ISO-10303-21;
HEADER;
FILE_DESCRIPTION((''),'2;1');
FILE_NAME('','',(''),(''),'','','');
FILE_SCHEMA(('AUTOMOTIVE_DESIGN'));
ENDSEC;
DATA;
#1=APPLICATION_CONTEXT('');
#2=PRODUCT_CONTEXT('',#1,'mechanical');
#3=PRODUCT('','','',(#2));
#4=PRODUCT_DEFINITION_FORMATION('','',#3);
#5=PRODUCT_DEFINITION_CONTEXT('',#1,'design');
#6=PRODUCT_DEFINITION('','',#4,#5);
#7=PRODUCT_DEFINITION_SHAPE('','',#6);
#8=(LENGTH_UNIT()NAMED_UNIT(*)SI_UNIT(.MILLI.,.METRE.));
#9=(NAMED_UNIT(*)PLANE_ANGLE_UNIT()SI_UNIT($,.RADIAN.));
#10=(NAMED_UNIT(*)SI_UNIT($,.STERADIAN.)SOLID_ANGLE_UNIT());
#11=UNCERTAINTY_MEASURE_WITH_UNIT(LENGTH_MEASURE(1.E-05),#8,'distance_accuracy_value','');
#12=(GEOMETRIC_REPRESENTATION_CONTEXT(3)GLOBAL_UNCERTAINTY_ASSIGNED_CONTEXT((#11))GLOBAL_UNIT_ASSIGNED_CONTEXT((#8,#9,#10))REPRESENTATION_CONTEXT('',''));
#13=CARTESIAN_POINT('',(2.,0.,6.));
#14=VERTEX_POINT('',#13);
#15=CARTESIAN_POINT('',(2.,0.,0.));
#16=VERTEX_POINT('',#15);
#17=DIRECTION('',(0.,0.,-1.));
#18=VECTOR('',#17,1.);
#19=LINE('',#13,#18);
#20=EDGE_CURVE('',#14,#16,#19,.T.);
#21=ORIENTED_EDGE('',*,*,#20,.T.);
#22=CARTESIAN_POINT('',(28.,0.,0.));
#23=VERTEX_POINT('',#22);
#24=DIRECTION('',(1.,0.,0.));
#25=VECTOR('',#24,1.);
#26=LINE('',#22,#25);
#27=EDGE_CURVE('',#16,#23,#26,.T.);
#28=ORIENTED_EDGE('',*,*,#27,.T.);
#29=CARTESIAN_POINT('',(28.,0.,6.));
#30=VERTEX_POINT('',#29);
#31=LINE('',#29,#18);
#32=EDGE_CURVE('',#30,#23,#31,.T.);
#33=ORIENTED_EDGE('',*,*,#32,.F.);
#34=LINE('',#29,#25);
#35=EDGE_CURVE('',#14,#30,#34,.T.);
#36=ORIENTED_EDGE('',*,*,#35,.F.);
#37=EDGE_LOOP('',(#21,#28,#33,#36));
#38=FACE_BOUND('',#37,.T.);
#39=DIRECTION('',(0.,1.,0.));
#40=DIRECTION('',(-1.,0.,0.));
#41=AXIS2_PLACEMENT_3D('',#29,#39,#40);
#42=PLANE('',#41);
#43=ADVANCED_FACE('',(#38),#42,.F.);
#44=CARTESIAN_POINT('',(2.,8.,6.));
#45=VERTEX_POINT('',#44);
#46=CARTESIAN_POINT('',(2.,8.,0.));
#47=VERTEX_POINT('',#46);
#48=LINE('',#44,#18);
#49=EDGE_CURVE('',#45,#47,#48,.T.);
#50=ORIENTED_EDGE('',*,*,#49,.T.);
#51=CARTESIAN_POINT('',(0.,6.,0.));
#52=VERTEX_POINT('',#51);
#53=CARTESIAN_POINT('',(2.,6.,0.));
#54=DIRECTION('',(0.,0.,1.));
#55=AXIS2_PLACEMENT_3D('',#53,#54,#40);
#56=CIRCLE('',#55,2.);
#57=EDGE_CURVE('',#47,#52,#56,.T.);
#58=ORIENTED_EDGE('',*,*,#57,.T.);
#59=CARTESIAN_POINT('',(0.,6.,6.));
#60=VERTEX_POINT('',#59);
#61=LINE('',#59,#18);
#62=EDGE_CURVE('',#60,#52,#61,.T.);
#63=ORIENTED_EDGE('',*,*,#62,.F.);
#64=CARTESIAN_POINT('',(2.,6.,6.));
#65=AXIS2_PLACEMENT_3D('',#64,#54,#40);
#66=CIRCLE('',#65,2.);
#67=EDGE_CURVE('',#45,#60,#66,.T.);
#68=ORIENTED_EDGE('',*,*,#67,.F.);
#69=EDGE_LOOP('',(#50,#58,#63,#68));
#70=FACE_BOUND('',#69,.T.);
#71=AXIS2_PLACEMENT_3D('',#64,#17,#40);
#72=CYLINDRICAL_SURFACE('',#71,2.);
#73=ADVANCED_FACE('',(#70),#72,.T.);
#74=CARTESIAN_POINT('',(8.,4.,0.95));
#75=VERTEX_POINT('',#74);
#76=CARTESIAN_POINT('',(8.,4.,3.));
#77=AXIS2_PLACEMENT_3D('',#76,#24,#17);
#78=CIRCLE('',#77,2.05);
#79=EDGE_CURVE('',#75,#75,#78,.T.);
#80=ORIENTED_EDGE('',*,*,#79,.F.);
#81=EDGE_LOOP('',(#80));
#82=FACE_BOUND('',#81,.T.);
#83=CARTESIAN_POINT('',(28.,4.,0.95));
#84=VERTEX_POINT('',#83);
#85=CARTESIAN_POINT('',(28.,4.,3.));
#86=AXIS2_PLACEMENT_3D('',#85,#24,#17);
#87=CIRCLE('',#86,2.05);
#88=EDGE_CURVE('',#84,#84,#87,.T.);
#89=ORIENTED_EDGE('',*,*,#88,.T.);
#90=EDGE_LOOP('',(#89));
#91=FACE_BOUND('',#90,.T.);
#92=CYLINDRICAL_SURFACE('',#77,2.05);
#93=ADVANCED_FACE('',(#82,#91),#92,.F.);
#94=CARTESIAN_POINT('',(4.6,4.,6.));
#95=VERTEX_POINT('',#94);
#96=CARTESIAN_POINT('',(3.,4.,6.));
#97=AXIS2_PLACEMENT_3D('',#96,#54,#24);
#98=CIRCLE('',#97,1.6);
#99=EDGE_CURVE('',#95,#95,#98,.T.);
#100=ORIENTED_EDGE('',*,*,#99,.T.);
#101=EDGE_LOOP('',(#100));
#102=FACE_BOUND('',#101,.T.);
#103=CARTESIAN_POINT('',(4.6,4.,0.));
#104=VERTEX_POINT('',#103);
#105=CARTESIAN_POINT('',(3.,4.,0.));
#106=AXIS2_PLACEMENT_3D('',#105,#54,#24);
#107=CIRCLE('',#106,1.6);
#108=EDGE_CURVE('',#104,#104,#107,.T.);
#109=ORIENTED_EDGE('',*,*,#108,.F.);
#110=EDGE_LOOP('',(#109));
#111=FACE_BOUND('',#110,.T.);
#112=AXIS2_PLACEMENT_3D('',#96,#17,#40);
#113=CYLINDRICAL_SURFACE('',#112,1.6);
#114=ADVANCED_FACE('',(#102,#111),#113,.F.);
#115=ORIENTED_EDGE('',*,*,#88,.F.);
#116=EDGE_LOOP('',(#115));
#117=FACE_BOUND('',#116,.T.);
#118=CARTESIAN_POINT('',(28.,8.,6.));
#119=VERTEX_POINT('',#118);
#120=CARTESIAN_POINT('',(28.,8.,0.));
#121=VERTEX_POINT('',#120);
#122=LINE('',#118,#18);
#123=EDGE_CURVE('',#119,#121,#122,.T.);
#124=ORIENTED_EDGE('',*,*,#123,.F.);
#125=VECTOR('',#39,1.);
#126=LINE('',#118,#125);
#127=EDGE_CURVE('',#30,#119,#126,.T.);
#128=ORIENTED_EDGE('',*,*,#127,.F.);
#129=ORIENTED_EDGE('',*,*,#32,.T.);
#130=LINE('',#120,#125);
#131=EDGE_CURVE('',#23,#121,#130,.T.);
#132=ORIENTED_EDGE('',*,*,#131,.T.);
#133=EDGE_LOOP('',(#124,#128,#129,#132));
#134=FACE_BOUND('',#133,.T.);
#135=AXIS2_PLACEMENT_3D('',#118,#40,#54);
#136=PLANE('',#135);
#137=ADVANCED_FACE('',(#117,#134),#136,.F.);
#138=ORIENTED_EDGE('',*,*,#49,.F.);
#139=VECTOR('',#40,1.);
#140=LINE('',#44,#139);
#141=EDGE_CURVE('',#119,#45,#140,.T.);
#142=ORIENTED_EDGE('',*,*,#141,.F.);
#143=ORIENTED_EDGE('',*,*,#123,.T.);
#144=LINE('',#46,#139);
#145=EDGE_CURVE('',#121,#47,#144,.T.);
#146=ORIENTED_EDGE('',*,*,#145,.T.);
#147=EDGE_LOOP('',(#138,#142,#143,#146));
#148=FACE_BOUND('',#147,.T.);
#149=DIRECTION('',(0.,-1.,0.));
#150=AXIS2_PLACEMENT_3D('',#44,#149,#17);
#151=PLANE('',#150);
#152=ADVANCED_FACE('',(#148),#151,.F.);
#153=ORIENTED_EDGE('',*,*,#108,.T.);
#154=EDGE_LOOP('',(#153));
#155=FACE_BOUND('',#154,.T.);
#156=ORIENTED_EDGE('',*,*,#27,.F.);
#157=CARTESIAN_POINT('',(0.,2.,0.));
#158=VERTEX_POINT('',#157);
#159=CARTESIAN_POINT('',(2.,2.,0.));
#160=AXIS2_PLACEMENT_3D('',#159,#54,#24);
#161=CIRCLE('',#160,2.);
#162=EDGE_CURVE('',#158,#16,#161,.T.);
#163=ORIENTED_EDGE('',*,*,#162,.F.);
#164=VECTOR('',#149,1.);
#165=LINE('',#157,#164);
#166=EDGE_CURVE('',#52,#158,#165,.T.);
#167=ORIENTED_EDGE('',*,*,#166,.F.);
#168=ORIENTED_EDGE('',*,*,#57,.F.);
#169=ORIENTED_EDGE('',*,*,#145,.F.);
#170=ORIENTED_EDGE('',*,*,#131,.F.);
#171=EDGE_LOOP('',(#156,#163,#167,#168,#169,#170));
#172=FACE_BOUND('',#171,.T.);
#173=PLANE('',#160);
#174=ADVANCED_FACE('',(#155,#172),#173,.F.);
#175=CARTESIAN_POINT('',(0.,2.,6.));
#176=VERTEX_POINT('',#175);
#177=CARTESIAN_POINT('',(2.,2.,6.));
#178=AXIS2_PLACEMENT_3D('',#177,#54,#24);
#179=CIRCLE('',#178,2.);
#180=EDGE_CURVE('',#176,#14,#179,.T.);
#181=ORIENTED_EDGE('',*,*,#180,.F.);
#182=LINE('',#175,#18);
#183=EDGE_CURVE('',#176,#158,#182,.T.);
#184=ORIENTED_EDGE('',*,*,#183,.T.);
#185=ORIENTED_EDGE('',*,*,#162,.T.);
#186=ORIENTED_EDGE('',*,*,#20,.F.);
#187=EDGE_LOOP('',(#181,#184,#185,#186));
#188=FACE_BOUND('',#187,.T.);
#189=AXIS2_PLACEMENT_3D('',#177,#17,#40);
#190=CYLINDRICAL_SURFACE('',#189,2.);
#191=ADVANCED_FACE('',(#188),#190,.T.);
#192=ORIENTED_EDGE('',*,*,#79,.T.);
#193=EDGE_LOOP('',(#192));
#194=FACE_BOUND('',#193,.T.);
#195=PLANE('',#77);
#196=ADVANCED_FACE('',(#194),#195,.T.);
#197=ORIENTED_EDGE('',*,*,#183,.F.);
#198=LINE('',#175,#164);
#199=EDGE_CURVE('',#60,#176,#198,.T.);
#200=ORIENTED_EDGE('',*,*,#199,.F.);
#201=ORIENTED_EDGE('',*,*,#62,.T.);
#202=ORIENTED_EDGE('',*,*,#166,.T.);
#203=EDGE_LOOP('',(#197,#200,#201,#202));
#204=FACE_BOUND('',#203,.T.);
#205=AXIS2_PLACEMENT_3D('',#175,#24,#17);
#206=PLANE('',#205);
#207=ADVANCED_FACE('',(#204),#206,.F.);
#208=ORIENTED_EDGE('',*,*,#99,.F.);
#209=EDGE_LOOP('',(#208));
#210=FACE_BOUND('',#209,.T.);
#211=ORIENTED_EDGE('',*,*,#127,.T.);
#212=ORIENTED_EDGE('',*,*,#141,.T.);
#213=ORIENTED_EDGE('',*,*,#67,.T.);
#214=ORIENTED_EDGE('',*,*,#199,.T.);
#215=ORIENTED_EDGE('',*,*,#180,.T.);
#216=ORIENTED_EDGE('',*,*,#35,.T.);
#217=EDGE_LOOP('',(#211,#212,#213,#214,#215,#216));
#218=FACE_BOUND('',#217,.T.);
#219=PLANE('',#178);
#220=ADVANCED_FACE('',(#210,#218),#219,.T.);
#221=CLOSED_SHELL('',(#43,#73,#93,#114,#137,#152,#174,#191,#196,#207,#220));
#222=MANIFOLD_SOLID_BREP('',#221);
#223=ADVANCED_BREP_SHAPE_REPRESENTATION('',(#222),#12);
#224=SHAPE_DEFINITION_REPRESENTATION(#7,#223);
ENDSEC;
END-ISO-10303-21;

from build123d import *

# Parameters (mm, degrees)
SKETCH_2_R          = 1.6
EXTRUDE_1_DEPTH     = 6
SKETCH_3_R          = 2.05
CUT_EXTRUDE_1_DEPTH = 20


with BuildPart() as part:
    # 草图2 → 凸台-拉伸1 (new body)
    with BuildSketch(Plane.XY):
        with BuildLine():
            Line((0, 2), (0, 6))
            ThreePointArc((0, 6), (0.585786438, 7.414213562), (2, 8))
            Line((2, 8), (28, 8))
            Line((28, 8), (28, 0))
            Line((28, 0), (2, 0))
            ThreePointArc((2, 0), (0.585786438, 0.585786438), (0, 2))
        make_face()
        with Locations((3, 4)):
            Circle(SKETCH_2_R, mode=Mode.SUBTRACT)
    extrude(amount=EXTRUDE_1_DEPTH)

    # 草图3 → 切除-拉伸1 (cut)
    with BuildSketch(Plane(origin=(28, 0, 0), x_dir=(0, 0, -1), z_dir=(1, 0, 0))):
        with Locations((-3, 4)):
            Circle(SKETCH_3_R)
    extrude(amount=-CUT_EXTRUDE_1_DEPTH, mode=Mode.SUBTRACT)


solid = part.part
